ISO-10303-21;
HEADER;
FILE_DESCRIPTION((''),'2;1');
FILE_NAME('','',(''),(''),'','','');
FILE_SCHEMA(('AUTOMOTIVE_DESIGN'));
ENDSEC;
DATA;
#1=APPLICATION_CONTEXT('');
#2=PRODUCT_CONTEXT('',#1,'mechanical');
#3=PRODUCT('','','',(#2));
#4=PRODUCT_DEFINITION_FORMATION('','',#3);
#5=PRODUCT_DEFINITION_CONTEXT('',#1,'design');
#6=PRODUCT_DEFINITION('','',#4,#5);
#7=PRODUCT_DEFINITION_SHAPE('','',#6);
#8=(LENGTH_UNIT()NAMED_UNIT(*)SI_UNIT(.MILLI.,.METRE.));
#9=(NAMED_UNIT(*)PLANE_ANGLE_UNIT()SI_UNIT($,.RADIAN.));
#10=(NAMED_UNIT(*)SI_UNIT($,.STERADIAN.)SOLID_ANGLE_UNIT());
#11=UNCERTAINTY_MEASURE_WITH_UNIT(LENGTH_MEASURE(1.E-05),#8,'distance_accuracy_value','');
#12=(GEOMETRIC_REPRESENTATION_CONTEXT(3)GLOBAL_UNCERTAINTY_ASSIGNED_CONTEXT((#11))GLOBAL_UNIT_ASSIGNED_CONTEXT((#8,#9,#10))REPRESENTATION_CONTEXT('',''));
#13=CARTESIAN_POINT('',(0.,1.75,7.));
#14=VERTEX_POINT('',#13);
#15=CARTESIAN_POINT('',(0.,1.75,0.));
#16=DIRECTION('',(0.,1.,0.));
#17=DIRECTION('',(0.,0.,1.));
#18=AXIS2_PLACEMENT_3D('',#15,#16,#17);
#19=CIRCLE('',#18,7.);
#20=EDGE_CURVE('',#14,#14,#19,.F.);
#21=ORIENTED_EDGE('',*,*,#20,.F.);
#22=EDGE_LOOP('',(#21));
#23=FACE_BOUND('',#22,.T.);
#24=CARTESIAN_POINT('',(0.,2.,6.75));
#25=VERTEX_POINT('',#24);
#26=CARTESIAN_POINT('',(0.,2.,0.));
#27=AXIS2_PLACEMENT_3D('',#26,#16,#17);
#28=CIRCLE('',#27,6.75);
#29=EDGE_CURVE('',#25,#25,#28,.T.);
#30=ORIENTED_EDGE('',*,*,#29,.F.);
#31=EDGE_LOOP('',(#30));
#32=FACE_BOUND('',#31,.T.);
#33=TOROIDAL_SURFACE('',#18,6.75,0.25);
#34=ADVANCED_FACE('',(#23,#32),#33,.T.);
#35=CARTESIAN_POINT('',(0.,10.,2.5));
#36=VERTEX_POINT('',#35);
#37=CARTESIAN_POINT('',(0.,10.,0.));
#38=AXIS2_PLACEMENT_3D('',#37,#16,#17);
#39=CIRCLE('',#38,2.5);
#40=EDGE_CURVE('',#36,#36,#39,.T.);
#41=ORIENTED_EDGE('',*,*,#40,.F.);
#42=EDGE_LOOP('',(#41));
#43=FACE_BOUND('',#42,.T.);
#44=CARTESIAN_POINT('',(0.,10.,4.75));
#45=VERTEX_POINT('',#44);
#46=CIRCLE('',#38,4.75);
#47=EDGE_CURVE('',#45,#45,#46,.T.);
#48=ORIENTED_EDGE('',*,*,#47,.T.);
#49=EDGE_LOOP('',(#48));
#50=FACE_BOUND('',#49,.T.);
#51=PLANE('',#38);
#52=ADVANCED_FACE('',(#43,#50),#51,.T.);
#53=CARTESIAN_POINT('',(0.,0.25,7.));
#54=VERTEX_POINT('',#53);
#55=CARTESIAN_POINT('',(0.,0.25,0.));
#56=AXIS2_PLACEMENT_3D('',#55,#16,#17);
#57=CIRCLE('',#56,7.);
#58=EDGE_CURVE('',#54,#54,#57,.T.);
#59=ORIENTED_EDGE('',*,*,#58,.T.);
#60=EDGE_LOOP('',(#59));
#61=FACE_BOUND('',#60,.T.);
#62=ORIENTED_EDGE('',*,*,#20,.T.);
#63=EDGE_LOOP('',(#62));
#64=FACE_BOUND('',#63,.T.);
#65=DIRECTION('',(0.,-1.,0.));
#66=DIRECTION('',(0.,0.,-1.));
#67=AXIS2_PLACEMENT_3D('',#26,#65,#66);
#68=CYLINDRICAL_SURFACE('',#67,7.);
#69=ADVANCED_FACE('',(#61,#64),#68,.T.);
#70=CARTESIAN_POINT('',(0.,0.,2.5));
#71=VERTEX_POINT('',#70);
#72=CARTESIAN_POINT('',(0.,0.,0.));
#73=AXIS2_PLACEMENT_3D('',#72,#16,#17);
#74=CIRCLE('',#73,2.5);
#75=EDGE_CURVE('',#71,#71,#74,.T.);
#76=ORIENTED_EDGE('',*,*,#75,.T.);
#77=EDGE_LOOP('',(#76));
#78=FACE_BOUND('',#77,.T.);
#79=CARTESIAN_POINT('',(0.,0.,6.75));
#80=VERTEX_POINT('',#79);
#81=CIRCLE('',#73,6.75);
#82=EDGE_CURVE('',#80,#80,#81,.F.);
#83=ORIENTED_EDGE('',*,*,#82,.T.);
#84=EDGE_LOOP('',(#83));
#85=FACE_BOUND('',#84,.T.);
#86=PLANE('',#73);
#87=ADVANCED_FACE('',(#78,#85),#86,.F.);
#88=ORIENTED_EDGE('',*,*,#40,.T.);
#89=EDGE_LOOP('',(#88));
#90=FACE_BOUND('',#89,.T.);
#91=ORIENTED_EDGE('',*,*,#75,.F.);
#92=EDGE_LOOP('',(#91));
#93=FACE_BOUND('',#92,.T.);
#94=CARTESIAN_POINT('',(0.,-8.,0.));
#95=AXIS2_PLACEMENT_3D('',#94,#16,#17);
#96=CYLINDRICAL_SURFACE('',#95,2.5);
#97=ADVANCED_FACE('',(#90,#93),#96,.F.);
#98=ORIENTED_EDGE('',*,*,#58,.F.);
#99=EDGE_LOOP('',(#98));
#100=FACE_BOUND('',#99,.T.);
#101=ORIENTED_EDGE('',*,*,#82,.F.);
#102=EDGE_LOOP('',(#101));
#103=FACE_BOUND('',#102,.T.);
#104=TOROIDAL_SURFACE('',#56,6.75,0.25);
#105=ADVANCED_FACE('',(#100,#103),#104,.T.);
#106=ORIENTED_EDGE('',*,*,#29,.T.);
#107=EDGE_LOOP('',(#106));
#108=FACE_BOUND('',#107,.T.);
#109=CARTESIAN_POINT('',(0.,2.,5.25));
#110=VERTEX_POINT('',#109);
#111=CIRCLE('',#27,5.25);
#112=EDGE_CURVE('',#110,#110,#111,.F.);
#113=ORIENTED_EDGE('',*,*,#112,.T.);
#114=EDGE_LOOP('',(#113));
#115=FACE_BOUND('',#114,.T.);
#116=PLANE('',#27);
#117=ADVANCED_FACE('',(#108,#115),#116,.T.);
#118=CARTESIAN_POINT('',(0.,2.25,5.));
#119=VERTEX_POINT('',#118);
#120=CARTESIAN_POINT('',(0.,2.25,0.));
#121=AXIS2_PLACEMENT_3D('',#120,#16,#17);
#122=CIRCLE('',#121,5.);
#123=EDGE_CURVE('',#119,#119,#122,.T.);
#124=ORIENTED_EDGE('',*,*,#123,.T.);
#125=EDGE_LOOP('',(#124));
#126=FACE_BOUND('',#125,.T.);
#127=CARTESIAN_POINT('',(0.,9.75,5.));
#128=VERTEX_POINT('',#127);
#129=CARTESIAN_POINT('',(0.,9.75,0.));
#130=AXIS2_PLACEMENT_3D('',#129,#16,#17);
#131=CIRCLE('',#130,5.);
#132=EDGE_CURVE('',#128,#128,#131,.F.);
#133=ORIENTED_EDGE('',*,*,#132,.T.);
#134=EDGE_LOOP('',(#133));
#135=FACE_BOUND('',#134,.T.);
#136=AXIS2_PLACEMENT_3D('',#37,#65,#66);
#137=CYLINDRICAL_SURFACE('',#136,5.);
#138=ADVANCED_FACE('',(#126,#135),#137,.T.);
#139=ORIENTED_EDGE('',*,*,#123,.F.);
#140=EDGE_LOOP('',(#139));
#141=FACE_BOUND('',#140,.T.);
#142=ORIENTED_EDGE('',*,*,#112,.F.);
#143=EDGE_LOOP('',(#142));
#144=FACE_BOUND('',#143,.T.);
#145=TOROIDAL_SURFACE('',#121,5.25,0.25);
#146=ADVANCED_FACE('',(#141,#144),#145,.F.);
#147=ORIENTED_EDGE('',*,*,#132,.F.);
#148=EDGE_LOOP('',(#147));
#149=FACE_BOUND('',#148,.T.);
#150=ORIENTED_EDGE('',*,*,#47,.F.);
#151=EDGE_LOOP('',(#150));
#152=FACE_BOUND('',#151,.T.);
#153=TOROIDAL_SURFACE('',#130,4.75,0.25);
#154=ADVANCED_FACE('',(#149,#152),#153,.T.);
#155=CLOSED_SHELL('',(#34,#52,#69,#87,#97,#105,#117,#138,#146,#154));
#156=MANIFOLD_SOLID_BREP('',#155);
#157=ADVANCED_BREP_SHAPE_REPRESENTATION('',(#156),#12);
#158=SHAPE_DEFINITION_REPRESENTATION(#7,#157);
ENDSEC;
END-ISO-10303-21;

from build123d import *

# Parameters (mm, degrees)
CROQUIS1_R              = 7
SALIENTE_EXTRUIR1_DEPTH = 2
CROQUIS2_R              = 5
SALIENTE_EXTRUIR2_DEPTH = 8
CROQUIS3_R              = 2.5
CORTAR_EXTRUIR1_DEPTH   = 18
REDONDEO1_R             = 0.25


with BuildPart() as part:
    # Croquis1 → Saliente-Extruir1 (new body)
    with BuildSketch(Plane(origin=(0, 0, 0), x_dir=(1, 0, 0), z_dir=(0, 1, 0))):
        Circle(CROQUIS1_R)
    extrude(amount=SALIENTE_EXTRUIR1_DEPTH)

    # Croquis2 → Saliente-Extruir2 (add)
    with BuildSketch(Plane(origin=(0, 2, 0), x_dir=(1, 0, 0), z_dir=(0, 1, 0))):
        Circle(CROQUIS2_R)
    extrude(amount=SALIENTE_EXTRUIR2_DEPTH)

    # Croquis3 → Cortar-Extruir1 (cut)
    with BuildSketch(Plane(origin=(0, 10, 0), x_dir=(1, 0, 0), z_dir=(0, 1, 0))):
        Circle(CROQUIS3_R)
    extrude(amount=-CORTAR_EXTRUIR1_DEPTH, mode=Mode.SUBTRACT)

    # Redondeo1
    redondeo1_edges = [part.edges().sort_by_distance(p)[0] for p in [
        (-7, 0, 0),
        (-7, 2, 0),
        (-5, 2, 0),
        (-5, 10, 0),
    ]]
    fillet(redondeo1_edges, radius=REDONDEO1_R)


solid = part.part
